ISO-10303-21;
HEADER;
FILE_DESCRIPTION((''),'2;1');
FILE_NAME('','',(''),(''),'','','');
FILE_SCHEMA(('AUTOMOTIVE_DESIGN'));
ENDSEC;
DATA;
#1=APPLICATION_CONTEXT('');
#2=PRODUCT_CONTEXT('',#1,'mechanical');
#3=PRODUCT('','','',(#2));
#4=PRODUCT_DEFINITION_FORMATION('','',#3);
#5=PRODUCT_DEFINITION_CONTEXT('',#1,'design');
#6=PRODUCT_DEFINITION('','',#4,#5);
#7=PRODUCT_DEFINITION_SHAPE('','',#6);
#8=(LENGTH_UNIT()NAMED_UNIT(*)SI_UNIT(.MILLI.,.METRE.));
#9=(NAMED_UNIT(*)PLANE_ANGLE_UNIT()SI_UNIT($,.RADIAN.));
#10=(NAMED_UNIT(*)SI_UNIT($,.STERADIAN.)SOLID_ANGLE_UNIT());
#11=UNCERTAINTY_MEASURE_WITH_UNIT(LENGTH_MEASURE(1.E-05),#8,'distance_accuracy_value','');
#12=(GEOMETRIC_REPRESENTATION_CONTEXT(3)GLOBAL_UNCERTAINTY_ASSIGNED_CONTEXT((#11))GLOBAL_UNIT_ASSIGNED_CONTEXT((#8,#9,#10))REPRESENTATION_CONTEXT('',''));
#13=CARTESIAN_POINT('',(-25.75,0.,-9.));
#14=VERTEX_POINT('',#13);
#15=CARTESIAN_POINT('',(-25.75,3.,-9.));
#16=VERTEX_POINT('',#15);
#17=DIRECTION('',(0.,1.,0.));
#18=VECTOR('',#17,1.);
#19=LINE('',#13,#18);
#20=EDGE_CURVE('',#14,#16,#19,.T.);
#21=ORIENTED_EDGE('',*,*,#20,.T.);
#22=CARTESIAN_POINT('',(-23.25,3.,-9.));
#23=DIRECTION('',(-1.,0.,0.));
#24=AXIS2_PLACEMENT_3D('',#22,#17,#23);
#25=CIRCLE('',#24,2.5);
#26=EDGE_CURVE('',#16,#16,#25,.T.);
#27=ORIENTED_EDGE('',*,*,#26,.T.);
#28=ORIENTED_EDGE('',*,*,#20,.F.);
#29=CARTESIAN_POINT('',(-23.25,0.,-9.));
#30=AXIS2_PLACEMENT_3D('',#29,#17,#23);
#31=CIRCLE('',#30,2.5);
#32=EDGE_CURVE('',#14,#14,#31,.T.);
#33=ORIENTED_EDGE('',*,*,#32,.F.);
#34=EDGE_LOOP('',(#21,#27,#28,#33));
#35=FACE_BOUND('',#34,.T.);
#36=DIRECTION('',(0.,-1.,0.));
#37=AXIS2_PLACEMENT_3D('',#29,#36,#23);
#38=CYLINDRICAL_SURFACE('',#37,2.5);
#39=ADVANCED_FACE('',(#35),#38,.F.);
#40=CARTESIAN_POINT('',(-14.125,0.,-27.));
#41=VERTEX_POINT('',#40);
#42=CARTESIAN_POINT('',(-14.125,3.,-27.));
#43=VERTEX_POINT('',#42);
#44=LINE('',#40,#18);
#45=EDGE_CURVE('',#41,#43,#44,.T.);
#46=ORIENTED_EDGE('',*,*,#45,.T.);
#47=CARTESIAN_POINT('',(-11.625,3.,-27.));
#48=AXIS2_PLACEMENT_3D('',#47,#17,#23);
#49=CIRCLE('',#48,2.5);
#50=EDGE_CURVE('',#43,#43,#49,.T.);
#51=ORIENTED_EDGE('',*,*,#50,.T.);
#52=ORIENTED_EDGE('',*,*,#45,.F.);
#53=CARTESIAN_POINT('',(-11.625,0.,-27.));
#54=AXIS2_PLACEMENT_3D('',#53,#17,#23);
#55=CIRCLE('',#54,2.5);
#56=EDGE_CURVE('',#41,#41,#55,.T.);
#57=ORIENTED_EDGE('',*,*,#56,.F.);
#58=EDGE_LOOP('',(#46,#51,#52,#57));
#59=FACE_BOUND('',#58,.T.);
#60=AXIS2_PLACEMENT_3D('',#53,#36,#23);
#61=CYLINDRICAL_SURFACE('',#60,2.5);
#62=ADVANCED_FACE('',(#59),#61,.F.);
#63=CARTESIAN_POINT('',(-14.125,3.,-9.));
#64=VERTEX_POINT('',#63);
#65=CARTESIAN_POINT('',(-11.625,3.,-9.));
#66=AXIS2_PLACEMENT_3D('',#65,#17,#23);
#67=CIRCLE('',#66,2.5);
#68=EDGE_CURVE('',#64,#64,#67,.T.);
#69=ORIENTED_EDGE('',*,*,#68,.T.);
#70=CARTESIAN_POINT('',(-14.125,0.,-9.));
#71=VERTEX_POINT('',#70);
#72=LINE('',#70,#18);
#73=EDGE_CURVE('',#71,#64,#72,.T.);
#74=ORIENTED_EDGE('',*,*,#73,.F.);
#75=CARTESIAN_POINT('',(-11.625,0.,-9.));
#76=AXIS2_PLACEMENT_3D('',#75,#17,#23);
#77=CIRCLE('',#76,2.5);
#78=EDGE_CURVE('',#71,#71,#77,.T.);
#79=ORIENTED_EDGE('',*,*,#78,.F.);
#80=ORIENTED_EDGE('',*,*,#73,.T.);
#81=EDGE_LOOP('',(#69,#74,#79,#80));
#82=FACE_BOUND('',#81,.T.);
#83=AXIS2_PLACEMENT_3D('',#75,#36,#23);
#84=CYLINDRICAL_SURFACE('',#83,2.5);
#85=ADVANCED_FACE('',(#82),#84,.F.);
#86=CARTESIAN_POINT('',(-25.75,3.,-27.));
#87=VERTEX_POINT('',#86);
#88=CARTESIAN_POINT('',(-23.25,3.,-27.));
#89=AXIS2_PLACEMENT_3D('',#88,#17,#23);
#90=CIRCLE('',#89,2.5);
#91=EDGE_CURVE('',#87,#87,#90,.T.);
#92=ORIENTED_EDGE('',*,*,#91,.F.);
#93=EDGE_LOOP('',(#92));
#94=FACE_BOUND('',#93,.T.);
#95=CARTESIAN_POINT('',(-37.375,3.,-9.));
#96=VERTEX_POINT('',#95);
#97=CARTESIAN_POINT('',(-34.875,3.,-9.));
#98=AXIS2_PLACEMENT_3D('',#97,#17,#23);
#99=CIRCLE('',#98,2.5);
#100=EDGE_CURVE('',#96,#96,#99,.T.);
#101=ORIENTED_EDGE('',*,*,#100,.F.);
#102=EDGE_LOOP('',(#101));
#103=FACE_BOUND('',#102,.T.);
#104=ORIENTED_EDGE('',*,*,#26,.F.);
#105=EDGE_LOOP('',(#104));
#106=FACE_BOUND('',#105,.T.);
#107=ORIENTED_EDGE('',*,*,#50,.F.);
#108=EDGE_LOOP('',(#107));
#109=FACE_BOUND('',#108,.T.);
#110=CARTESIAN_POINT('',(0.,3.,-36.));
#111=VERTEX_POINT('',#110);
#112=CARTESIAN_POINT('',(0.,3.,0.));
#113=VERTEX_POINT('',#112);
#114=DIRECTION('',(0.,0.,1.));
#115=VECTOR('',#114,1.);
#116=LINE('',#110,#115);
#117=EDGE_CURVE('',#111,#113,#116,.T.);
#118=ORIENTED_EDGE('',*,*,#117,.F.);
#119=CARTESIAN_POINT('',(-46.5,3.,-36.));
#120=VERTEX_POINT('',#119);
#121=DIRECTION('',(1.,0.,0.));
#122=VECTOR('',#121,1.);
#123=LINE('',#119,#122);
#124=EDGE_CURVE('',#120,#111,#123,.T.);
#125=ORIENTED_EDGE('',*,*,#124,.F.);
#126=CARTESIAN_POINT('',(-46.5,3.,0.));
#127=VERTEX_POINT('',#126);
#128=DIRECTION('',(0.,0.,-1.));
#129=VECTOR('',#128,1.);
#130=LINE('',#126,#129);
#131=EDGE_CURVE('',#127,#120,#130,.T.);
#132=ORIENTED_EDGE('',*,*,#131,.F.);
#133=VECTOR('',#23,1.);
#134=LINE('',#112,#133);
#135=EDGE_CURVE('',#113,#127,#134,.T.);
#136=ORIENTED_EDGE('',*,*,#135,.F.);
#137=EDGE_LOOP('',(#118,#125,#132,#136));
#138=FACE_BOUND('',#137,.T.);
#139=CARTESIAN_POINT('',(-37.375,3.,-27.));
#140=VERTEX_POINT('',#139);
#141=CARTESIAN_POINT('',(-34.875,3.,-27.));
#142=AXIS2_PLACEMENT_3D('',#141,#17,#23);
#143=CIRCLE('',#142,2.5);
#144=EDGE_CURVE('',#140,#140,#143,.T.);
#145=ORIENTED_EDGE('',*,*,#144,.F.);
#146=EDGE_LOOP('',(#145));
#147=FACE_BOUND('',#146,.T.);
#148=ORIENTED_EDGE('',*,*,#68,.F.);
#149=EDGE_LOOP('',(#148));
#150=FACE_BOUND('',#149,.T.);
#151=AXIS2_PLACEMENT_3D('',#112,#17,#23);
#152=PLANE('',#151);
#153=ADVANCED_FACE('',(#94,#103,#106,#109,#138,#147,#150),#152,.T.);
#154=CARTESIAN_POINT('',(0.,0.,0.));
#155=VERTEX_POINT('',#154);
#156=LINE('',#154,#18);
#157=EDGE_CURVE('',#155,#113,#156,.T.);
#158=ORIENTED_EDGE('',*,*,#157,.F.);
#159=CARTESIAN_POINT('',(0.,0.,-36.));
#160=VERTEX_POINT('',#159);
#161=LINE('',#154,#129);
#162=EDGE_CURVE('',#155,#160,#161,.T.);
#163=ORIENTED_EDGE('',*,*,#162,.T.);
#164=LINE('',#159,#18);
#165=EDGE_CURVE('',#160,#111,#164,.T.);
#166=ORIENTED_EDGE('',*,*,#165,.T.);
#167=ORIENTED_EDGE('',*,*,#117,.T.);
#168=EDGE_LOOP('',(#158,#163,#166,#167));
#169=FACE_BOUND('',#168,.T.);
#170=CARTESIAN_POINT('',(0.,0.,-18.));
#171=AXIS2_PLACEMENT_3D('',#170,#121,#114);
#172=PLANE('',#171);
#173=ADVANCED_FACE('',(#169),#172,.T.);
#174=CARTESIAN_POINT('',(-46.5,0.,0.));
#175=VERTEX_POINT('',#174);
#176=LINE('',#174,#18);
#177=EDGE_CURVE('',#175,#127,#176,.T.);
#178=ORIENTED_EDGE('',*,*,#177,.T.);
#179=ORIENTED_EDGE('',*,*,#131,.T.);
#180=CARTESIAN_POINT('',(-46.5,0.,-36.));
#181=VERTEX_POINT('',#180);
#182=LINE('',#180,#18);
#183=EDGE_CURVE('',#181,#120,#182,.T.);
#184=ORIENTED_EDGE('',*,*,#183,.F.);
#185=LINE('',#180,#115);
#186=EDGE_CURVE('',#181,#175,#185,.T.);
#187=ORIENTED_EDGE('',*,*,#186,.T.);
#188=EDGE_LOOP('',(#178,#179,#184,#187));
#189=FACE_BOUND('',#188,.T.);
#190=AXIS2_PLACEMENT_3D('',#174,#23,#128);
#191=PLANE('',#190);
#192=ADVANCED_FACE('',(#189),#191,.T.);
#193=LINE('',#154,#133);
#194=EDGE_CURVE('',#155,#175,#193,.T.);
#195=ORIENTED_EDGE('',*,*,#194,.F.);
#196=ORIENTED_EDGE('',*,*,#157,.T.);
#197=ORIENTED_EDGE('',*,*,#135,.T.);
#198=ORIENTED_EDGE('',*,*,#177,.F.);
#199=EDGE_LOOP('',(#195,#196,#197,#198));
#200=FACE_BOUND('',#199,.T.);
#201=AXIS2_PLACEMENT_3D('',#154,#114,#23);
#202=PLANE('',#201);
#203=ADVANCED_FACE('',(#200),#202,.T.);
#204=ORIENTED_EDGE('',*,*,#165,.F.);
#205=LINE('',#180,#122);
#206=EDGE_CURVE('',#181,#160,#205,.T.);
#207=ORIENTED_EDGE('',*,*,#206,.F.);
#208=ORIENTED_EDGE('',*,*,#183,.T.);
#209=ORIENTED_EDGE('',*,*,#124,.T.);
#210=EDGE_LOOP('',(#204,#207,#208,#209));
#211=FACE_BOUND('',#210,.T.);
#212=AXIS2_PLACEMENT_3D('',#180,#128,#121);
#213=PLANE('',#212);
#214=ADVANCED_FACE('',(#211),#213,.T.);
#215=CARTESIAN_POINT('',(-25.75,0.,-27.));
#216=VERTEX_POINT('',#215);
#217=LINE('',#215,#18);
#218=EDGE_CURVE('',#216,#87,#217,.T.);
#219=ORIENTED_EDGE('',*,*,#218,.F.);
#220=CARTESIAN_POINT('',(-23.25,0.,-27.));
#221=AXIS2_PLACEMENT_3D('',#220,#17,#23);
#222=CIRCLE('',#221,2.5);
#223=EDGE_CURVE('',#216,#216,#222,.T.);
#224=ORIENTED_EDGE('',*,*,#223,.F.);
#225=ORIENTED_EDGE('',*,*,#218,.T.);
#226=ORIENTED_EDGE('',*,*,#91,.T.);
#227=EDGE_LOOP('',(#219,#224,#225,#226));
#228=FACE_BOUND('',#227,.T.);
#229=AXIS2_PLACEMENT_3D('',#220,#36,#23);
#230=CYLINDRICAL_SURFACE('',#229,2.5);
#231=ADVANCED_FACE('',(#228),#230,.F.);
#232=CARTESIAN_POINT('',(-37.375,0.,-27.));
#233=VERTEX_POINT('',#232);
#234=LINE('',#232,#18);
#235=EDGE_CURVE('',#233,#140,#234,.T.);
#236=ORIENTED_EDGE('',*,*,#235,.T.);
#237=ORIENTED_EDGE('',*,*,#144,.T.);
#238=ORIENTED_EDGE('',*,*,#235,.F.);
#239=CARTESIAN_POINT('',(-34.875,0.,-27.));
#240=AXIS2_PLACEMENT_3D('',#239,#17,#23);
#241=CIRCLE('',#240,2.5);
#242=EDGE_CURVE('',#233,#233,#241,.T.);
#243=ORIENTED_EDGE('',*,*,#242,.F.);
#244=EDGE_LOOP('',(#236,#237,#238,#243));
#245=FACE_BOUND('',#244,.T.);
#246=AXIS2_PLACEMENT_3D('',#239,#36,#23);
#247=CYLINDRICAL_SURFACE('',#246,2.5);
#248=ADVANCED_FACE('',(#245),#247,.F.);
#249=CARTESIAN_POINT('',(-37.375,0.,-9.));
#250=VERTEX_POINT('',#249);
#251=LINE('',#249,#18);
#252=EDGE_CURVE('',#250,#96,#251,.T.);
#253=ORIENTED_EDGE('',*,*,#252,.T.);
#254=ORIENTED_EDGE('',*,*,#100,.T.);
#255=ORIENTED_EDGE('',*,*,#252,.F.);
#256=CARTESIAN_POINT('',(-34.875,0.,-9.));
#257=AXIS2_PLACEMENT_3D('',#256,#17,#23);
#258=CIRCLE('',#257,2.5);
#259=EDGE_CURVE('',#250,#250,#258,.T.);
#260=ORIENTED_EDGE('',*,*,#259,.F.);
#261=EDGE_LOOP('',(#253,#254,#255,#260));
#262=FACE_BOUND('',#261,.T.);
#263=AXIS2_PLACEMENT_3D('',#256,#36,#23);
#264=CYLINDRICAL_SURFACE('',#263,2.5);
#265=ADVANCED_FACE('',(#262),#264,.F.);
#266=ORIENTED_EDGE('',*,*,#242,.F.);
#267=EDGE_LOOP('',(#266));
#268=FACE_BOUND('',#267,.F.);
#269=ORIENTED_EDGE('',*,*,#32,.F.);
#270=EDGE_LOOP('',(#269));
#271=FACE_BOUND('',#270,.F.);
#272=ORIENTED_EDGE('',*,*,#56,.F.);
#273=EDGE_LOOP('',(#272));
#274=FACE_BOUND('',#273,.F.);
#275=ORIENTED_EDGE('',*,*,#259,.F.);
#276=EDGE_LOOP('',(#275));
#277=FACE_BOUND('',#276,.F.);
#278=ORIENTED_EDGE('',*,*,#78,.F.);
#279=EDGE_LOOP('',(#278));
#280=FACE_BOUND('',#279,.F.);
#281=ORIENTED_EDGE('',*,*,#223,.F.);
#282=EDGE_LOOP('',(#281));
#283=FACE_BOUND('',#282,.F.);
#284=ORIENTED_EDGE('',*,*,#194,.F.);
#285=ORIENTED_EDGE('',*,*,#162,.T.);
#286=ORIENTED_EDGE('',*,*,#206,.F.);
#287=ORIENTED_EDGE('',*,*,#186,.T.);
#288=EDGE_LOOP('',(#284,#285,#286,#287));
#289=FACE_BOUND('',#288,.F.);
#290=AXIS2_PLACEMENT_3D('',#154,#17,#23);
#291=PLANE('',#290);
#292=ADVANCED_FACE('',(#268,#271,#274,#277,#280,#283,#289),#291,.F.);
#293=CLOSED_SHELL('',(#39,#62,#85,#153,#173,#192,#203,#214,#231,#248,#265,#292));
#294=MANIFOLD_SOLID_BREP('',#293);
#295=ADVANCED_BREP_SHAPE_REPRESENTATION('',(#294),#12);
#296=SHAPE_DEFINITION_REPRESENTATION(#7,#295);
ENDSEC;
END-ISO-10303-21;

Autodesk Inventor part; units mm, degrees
ref_plane "YZ Plane" through (0, 0, 0) normal (1, 0, 0) x (0, 1, 0)
ref_plane "XZ Plane" through (0, 0, 0) normal (0, 1, 0) x (-1, 0, 0)
ref_plane "XY Plane" through (0, 0, 0) normal (0, 0, 1) x (1, 0, 0)
sketch "Sketch1" plane through (0, 0, 0) normal (0, 1, 0) x (-1, 0, 0)
  line L0 (0, 0) -> (46.5, 0)
  line L1 (46.5, 0) -> (46.5, -36)
  line L2 (46.5, -36) -> (0, -36)
  line L3 (0, -36) -> (0, 0)
  circle A0 centre (34.875, -27) radius 2.5
  circle A1 centre (11.625, -27) radius 2.5
  circle A2 centre (23.25, -27) radius 2.5
  line L4 (46.5, -18) -> (0, -18)
  circle A3 centre (34.875, -9) radius 2.5
  circle A4 centre (11.625, -9) radius 2.5
  circle A5 centre (23.25, -9) radius 2.5
  dimension "d0" = 46.5
  dimension "d1" = 36
  dimension "d2" = 5
  dimension "d3" = 11.625
  dimension "d4" = 27
  dimension "d6" = 5
  dimension "d7" = 11.625
  dimension "d13" = 5
  dimension "d15" = 11.625
extrude "Extrusion6" add sketch "Sketch1" along normal blind 3
properties part number "chassiconnector"
